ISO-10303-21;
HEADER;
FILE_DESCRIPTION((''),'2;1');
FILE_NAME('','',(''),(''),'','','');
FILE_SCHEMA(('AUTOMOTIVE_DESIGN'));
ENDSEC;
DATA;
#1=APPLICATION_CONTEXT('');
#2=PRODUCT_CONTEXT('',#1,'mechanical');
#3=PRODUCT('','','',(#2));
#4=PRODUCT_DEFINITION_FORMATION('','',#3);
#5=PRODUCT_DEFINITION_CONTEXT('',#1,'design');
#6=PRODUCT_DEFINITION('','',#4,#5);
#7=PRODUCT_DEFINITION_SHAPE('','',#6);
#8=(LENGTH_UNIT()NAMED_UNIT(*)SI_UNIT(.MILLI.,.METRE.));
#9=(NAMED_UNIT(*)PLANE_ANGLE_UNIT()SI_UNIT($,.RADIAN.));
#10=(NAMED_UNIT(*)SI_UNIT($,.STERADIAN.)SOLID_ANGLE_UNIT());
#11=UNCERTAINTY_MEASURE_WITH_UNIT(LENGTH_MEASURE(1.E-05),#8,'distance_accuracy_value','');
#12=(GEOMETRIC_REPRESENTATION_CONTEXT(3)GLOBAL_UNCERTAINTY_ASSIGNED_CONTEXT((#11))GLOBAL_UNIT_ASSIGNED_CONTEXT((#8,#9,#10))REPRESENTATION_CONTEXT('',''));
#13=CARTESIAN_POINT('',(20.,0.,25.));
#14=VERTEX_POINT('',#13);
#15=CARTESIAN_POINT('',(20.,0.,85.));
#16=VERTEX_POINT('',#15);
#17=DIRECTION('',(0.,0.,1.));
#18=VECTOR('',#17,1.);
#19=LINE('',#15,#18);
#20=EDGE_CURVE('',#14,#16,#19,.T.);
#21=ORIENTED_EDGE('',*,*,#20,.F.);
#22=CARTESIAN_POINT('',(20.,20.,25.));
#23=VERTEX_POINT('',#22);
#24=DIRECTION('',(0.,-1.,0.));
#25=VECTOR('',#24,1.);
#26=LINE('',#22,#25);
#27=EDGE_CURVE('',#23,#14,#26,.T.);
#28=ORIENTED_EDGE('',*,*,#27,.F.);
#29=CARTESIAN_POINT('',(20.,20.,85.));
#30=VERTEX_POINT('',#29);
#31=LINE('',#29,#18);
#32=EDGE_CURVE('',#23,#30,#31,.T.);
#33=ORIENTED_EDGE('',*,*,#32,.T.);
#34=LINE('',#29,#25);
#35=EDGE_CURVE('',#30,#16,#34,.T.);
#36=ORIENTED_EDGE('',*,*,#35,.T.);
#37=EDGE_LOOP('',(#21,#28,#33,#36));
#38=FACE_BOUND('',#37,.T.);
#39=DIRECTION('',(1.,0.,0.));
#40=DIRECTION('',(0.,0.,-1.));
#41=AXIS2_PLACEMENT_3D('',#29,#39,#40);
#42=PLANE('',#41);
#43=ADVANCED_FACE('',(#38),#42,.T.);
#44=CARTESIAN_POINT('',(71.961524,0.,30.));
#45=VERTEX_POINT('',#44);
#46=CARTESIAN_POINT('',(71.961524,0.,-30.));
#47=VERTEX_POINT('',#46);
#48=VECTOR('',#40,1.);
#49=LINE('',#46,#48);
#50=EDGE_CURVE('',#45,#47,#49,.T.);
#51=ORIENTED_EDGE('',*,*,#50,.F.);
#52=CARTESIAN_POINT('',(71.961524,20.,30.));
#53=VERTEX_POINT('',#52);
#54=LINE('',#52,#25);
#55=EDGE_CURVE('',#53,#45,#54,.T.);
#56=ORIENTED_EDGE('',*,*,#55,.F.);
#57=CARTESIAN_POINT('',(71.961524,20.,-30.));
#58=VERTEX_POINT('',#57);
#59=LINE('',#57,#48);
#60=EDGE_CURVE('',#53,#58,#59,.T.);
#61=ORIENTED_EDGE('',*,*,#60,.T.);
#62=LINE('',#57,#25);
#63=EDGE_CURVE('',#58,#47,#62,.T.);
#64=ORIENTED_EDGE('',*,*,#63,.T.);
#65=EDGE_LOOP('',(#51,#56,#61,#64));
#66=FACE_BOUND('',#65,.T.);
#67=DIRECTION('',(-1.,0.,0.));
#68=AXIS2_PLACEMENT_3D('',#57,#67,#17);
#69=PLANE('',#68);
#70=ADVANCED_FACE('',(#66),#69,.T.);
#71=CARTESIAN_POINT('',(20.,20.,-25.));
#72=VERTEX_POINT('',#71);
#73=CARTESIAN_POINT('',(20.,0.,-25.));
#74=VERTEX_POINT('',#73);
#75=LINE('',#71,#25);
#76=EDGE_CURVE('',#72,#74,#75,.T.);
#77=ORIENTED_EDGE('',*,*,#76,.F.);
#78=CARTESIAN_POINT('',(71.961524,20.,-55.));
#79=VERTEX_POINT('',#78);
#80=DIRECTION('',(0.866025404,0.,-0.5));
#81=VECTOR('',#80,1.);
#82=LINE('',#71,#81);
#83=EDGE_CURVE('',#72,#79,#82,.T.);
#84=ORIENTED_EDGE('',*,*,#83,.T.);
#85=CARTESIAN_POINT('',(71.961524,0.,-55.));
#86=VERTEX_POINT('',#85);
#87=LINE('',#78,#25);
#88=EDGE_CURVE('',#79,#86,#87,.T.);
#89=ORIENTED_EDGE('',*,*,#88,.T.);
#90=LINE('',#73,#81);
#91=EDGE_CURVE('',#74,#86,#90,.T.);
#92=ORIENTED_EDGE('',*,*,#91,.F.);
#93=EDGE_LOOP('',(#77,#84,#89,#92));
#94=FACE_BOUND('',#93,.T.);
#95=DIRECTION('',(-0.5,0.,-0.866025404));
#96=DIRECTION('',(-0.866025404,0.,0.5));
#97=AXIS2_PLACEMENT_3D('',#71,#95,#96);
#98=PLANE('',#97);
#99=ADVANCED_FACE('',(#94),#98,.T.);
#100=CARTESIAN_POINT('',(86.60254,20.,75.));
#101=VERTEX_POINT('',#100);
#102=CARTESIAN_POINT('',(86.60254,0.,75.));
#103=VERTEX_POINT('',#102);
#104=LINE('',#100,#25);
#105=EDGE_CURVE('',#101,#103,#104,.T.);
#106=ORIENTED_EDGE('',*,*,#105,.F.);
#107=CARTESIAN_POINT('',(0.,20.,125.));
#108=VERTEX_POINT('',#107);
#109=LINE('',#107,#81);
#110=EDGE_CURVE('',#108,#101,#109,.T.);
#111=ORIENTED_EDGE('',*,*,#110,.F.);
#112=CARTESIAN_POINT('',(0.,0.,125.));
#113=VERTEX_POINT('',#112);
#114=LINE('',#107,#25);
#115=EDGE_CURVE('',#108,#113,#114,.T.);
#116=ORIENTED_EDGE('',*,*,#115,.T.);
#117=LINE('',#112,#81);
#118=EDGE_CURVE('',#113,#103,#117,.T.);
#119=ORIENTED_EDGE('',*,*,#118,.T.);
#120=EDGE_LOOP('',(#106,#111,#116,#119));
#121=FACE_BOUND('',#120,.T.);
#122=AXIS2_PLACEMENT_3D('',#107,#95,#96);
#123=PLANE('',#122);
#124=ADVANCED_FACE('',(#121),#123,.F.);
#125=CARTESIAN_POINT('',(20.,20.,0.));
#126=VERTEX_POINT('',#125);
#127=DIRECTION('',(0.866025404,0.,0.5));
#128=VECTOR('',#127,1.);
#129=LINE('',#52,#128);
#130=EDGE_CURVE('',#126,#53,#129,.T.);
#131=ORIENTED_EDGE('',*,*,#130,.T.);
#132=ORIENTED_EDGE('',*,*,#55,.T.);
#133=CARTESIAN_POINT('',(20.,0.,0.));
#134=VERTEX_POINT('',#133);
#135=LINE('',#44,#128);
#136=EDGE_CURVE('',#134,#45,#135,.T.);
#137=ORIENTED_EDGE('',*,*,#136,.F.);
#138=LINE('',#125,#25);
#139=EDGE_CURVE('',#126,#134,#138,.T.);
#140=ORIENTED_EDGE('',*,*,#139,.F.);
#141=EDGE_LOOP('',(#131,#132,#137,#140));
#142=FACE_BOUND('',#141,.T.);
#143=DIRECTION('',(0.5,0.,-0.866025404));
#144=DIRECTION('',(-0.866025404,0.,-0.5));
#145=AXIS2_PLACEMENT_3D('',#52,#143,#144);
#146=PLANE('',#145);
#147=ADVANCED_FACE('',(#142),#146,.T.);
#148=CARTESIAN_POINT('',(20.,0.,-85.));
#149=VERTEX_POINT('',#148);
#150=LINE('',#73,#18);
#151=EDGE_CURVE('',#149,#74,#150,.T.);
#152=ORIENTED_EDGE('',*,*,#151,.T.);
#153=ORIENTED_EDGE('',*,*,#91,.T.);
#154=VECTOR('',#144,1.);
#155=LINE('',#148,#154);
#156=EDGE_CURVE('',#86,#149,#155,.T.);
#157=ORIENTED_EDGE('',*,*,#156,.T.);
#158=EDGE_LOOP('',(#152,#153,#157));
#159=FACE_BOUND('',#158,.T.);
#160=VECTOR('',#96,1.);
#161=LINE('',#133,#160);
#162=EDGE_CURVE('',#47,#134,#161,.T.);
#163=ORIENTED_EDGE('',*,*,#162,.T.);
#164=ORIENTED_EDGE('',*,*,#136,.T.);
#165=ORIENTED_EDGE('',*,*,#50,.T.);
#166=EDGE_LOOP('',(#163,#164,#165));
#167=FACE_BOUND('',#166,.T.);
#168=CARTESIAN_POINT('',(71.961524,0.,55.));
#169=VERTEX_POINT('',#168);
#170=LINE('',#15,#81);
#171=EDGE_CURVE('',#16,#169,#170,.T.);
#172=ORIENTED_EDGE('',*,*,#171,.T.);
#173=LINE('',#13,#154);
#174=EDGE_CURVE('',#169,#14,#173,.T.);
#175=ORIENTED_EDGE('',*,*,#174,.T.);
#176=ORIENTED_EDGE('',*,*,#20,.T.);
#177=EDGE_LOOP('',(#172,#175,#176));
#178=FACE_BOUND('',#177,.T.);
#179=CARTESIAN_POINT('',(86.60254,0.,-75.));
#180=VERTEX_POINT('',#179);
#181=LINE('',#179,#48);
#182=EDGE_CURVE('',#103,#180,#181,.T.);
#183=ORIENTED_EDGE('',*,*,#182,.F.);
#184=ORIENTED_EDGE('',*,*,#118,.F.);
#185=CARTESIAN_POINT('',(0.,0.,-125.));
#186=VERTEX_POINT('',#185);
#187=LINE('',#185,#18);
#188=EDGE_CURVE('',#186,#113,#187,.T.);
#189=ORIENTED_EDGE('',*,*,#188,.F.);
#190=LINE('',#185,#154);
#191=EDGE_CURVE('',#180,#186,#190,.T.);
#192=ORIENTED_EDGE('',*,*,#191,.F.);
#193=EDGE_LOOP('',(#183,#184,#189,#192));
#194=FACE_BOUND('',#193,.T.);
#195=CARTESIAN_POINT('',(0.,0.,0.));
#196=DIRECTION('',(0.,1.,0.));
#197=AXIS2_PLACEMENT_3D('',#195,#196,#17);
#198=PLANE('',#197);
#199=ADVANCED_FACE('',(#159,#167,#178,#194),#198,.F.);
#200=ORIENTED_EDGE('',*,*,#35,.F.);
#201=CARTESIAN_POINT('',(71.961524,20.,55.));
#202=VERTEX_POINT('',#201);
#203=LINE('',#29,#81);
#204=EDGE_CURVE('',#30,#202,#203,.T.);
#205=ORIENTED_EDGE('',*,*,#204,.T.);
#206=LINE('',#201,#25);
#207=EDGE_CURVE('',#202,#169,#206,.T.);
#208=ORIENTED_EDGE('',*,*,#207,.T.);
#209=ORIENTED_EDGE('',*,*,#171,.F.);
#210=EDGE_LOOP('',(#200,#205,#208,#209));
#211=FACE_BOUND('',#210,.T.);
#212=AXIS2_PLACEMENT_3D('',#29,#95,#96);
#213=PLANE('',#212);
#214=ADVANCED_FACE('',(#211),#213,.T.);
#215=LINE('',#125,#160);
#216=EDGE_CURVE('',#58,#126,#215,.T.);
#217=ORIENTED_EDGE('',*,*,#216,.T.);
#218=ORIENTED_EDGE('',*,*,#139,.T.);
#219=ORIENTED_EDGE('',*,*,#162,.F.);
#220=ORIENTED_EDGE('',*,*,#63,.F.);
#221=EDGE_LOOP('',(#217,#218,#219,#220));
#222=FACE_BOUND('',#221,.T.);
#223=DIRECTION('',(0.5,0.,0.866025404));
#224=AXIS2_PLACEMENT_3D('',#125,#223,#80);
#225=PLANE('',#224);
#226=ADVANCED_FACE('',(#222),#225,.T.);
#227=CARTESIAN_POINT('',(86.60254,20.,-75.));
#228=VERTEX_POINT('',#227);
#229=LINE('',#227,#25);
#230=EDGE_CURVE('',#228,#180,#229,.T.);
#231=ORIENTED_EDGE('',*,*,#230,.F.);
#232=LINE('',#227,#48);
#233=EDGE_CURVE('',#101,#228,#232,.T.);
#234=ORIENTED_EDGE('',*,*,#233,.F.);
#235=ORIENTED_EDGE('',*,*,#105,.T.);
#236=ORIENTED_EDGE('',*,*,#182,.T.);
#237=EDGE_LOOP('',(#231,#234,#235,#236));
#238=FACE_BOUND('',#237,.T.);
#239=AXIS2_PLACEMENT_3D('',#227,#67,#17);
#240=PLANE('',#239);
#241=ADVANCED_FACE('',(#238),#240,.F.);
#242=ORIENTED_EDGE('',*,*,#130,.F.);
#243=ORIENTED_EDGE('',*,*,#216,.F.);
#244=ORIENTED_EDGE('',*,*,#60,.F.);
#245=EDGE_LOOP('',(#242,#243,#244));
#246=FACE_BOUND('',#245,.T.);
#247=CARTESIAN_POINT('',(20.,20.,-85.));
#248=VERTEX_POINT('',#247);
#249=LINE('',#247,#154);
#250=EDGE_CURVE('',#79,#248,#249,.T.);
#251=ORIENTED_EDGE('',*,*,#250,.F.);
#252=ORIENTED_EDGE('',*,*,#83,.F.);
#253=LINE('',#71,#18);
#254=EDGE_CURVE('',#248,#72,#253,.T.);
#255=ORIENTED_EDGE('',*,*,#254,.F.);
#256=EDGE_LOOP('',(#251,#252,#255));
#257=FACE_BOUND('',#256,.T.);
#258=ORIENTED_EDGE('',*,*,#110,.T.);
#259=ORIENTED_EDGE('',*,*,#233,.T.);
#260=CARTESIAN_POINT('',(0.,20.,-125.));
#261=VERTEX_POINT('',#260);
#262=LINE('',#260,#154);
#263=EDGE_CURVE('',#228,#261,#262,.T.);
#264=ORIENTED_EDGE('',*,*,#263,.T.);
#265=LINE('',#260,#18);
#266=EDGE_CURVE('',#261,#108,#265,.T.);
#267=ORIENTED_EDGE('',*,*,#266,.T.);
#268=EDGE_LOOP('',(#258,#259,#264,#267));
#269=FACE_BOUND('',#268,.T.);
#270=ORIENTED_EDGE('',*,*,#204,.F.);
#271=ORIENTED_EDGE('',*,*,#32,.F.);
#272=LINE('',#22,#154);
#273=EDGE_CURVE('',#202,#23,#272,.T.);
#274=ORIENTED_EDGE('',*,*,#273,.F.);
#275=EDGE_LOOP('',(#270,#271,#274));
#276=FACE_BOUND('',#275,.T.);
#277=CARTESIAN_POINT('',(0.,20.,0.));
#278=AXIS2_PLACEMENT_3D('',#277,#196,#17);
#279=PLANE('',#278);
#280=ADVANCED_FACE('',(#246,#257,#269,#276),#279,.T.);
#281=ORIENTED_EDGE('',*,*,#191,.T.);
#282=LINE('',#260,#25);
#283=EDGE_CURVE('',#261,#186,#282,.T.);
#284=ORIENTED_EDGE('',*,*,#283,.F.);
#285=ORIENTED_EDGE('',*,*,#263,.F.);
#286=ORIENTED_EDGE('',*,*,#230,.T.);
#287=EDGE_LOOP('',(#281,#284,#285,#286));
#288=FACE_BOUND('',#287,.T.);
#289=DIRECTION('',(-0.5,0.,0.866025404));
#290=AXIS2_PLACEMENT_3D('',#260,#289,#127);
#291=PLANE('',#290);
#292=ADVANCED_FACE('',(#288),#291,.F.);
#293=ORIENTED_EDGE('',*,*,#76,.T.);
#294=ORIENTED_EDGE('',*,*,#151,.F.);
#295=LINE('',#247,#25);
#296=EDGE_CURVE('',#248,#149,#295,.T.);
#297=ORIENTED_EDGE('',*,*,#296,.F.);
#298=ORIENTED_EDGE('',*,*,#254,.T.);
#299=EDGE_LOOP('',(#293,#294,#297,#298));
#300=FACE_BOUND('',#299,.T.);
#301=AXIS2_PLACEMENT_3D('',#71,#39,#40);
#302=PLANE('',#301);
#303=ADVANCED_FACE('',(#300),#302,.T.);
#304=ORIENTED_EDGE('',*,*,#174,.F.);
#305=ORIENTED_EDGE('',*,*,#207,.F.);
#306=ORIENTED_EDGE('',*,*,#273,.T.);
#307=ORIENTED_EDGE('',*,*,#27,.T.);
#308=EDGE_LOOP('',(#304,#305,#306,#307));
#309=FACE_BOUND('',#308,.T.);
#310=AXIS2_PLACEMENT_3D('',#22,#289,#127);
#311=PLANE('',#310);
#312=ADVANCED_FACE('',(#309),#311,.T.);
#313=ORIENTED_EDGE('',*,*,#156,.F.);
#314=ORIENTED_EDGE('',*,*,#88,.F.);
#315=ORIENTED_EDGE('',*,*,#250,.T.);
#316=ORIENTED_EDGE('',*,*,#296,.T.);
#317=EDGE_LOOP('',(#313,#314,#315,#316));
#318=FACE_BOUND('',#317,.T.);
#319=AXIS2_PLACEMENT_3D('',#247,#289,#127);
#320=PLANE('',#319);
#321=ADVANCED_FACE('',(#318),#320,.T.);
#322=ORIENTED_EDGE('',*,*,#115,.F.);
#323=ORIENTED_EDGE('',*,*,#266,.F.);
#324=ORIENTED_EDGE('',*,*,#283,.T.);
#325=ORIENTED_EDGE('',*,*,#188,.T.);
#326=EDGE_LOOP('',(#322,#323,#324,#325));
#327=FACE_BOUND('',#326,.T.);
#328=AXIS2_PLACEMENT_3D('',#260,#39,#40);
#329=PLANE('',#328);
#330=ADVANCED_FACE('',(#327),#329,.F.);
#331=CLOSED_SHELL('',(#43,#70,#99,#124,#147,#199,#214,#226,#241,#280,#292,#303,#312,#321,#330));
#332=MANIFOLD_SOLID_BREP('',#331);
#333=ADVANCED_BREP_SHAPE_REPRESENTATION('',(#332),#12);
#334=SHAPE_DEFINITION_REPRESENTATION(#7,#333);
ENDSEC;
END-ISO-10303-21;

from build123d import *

# Parameters (mm, degrees)
BOSS_EXTRUDE1_DEPTH = 20


with BuildPart() as part:
    # Sketch1 → Boss-Extrude1 (new body)
    with BuildSketch(Plane(origin=(0, 0, 0), x_dir=(1, 0, 0), z_dir=(0, 1, 0))):
        Polygon((0, 125), (0, -125), (86.602540378, -75), (86.602540378, 75), align=None)
        Polygon((20, -85), (20, -25), (71.961524227, -55), align=None, mode=Mode.SUBTRACT)
        Polygon((20, 25), (20, 85), (71.961524227, 55), align=None, mode=Mode.SUBTRACT)
        Polygon((20, 0), (71.961524227, 30), (71.961524227, -30), align=None, mode=Mode.SUBTRACT)
    extrude(amount=BOSS_EXTRUDE1_DEPTH)


solid = part.part
